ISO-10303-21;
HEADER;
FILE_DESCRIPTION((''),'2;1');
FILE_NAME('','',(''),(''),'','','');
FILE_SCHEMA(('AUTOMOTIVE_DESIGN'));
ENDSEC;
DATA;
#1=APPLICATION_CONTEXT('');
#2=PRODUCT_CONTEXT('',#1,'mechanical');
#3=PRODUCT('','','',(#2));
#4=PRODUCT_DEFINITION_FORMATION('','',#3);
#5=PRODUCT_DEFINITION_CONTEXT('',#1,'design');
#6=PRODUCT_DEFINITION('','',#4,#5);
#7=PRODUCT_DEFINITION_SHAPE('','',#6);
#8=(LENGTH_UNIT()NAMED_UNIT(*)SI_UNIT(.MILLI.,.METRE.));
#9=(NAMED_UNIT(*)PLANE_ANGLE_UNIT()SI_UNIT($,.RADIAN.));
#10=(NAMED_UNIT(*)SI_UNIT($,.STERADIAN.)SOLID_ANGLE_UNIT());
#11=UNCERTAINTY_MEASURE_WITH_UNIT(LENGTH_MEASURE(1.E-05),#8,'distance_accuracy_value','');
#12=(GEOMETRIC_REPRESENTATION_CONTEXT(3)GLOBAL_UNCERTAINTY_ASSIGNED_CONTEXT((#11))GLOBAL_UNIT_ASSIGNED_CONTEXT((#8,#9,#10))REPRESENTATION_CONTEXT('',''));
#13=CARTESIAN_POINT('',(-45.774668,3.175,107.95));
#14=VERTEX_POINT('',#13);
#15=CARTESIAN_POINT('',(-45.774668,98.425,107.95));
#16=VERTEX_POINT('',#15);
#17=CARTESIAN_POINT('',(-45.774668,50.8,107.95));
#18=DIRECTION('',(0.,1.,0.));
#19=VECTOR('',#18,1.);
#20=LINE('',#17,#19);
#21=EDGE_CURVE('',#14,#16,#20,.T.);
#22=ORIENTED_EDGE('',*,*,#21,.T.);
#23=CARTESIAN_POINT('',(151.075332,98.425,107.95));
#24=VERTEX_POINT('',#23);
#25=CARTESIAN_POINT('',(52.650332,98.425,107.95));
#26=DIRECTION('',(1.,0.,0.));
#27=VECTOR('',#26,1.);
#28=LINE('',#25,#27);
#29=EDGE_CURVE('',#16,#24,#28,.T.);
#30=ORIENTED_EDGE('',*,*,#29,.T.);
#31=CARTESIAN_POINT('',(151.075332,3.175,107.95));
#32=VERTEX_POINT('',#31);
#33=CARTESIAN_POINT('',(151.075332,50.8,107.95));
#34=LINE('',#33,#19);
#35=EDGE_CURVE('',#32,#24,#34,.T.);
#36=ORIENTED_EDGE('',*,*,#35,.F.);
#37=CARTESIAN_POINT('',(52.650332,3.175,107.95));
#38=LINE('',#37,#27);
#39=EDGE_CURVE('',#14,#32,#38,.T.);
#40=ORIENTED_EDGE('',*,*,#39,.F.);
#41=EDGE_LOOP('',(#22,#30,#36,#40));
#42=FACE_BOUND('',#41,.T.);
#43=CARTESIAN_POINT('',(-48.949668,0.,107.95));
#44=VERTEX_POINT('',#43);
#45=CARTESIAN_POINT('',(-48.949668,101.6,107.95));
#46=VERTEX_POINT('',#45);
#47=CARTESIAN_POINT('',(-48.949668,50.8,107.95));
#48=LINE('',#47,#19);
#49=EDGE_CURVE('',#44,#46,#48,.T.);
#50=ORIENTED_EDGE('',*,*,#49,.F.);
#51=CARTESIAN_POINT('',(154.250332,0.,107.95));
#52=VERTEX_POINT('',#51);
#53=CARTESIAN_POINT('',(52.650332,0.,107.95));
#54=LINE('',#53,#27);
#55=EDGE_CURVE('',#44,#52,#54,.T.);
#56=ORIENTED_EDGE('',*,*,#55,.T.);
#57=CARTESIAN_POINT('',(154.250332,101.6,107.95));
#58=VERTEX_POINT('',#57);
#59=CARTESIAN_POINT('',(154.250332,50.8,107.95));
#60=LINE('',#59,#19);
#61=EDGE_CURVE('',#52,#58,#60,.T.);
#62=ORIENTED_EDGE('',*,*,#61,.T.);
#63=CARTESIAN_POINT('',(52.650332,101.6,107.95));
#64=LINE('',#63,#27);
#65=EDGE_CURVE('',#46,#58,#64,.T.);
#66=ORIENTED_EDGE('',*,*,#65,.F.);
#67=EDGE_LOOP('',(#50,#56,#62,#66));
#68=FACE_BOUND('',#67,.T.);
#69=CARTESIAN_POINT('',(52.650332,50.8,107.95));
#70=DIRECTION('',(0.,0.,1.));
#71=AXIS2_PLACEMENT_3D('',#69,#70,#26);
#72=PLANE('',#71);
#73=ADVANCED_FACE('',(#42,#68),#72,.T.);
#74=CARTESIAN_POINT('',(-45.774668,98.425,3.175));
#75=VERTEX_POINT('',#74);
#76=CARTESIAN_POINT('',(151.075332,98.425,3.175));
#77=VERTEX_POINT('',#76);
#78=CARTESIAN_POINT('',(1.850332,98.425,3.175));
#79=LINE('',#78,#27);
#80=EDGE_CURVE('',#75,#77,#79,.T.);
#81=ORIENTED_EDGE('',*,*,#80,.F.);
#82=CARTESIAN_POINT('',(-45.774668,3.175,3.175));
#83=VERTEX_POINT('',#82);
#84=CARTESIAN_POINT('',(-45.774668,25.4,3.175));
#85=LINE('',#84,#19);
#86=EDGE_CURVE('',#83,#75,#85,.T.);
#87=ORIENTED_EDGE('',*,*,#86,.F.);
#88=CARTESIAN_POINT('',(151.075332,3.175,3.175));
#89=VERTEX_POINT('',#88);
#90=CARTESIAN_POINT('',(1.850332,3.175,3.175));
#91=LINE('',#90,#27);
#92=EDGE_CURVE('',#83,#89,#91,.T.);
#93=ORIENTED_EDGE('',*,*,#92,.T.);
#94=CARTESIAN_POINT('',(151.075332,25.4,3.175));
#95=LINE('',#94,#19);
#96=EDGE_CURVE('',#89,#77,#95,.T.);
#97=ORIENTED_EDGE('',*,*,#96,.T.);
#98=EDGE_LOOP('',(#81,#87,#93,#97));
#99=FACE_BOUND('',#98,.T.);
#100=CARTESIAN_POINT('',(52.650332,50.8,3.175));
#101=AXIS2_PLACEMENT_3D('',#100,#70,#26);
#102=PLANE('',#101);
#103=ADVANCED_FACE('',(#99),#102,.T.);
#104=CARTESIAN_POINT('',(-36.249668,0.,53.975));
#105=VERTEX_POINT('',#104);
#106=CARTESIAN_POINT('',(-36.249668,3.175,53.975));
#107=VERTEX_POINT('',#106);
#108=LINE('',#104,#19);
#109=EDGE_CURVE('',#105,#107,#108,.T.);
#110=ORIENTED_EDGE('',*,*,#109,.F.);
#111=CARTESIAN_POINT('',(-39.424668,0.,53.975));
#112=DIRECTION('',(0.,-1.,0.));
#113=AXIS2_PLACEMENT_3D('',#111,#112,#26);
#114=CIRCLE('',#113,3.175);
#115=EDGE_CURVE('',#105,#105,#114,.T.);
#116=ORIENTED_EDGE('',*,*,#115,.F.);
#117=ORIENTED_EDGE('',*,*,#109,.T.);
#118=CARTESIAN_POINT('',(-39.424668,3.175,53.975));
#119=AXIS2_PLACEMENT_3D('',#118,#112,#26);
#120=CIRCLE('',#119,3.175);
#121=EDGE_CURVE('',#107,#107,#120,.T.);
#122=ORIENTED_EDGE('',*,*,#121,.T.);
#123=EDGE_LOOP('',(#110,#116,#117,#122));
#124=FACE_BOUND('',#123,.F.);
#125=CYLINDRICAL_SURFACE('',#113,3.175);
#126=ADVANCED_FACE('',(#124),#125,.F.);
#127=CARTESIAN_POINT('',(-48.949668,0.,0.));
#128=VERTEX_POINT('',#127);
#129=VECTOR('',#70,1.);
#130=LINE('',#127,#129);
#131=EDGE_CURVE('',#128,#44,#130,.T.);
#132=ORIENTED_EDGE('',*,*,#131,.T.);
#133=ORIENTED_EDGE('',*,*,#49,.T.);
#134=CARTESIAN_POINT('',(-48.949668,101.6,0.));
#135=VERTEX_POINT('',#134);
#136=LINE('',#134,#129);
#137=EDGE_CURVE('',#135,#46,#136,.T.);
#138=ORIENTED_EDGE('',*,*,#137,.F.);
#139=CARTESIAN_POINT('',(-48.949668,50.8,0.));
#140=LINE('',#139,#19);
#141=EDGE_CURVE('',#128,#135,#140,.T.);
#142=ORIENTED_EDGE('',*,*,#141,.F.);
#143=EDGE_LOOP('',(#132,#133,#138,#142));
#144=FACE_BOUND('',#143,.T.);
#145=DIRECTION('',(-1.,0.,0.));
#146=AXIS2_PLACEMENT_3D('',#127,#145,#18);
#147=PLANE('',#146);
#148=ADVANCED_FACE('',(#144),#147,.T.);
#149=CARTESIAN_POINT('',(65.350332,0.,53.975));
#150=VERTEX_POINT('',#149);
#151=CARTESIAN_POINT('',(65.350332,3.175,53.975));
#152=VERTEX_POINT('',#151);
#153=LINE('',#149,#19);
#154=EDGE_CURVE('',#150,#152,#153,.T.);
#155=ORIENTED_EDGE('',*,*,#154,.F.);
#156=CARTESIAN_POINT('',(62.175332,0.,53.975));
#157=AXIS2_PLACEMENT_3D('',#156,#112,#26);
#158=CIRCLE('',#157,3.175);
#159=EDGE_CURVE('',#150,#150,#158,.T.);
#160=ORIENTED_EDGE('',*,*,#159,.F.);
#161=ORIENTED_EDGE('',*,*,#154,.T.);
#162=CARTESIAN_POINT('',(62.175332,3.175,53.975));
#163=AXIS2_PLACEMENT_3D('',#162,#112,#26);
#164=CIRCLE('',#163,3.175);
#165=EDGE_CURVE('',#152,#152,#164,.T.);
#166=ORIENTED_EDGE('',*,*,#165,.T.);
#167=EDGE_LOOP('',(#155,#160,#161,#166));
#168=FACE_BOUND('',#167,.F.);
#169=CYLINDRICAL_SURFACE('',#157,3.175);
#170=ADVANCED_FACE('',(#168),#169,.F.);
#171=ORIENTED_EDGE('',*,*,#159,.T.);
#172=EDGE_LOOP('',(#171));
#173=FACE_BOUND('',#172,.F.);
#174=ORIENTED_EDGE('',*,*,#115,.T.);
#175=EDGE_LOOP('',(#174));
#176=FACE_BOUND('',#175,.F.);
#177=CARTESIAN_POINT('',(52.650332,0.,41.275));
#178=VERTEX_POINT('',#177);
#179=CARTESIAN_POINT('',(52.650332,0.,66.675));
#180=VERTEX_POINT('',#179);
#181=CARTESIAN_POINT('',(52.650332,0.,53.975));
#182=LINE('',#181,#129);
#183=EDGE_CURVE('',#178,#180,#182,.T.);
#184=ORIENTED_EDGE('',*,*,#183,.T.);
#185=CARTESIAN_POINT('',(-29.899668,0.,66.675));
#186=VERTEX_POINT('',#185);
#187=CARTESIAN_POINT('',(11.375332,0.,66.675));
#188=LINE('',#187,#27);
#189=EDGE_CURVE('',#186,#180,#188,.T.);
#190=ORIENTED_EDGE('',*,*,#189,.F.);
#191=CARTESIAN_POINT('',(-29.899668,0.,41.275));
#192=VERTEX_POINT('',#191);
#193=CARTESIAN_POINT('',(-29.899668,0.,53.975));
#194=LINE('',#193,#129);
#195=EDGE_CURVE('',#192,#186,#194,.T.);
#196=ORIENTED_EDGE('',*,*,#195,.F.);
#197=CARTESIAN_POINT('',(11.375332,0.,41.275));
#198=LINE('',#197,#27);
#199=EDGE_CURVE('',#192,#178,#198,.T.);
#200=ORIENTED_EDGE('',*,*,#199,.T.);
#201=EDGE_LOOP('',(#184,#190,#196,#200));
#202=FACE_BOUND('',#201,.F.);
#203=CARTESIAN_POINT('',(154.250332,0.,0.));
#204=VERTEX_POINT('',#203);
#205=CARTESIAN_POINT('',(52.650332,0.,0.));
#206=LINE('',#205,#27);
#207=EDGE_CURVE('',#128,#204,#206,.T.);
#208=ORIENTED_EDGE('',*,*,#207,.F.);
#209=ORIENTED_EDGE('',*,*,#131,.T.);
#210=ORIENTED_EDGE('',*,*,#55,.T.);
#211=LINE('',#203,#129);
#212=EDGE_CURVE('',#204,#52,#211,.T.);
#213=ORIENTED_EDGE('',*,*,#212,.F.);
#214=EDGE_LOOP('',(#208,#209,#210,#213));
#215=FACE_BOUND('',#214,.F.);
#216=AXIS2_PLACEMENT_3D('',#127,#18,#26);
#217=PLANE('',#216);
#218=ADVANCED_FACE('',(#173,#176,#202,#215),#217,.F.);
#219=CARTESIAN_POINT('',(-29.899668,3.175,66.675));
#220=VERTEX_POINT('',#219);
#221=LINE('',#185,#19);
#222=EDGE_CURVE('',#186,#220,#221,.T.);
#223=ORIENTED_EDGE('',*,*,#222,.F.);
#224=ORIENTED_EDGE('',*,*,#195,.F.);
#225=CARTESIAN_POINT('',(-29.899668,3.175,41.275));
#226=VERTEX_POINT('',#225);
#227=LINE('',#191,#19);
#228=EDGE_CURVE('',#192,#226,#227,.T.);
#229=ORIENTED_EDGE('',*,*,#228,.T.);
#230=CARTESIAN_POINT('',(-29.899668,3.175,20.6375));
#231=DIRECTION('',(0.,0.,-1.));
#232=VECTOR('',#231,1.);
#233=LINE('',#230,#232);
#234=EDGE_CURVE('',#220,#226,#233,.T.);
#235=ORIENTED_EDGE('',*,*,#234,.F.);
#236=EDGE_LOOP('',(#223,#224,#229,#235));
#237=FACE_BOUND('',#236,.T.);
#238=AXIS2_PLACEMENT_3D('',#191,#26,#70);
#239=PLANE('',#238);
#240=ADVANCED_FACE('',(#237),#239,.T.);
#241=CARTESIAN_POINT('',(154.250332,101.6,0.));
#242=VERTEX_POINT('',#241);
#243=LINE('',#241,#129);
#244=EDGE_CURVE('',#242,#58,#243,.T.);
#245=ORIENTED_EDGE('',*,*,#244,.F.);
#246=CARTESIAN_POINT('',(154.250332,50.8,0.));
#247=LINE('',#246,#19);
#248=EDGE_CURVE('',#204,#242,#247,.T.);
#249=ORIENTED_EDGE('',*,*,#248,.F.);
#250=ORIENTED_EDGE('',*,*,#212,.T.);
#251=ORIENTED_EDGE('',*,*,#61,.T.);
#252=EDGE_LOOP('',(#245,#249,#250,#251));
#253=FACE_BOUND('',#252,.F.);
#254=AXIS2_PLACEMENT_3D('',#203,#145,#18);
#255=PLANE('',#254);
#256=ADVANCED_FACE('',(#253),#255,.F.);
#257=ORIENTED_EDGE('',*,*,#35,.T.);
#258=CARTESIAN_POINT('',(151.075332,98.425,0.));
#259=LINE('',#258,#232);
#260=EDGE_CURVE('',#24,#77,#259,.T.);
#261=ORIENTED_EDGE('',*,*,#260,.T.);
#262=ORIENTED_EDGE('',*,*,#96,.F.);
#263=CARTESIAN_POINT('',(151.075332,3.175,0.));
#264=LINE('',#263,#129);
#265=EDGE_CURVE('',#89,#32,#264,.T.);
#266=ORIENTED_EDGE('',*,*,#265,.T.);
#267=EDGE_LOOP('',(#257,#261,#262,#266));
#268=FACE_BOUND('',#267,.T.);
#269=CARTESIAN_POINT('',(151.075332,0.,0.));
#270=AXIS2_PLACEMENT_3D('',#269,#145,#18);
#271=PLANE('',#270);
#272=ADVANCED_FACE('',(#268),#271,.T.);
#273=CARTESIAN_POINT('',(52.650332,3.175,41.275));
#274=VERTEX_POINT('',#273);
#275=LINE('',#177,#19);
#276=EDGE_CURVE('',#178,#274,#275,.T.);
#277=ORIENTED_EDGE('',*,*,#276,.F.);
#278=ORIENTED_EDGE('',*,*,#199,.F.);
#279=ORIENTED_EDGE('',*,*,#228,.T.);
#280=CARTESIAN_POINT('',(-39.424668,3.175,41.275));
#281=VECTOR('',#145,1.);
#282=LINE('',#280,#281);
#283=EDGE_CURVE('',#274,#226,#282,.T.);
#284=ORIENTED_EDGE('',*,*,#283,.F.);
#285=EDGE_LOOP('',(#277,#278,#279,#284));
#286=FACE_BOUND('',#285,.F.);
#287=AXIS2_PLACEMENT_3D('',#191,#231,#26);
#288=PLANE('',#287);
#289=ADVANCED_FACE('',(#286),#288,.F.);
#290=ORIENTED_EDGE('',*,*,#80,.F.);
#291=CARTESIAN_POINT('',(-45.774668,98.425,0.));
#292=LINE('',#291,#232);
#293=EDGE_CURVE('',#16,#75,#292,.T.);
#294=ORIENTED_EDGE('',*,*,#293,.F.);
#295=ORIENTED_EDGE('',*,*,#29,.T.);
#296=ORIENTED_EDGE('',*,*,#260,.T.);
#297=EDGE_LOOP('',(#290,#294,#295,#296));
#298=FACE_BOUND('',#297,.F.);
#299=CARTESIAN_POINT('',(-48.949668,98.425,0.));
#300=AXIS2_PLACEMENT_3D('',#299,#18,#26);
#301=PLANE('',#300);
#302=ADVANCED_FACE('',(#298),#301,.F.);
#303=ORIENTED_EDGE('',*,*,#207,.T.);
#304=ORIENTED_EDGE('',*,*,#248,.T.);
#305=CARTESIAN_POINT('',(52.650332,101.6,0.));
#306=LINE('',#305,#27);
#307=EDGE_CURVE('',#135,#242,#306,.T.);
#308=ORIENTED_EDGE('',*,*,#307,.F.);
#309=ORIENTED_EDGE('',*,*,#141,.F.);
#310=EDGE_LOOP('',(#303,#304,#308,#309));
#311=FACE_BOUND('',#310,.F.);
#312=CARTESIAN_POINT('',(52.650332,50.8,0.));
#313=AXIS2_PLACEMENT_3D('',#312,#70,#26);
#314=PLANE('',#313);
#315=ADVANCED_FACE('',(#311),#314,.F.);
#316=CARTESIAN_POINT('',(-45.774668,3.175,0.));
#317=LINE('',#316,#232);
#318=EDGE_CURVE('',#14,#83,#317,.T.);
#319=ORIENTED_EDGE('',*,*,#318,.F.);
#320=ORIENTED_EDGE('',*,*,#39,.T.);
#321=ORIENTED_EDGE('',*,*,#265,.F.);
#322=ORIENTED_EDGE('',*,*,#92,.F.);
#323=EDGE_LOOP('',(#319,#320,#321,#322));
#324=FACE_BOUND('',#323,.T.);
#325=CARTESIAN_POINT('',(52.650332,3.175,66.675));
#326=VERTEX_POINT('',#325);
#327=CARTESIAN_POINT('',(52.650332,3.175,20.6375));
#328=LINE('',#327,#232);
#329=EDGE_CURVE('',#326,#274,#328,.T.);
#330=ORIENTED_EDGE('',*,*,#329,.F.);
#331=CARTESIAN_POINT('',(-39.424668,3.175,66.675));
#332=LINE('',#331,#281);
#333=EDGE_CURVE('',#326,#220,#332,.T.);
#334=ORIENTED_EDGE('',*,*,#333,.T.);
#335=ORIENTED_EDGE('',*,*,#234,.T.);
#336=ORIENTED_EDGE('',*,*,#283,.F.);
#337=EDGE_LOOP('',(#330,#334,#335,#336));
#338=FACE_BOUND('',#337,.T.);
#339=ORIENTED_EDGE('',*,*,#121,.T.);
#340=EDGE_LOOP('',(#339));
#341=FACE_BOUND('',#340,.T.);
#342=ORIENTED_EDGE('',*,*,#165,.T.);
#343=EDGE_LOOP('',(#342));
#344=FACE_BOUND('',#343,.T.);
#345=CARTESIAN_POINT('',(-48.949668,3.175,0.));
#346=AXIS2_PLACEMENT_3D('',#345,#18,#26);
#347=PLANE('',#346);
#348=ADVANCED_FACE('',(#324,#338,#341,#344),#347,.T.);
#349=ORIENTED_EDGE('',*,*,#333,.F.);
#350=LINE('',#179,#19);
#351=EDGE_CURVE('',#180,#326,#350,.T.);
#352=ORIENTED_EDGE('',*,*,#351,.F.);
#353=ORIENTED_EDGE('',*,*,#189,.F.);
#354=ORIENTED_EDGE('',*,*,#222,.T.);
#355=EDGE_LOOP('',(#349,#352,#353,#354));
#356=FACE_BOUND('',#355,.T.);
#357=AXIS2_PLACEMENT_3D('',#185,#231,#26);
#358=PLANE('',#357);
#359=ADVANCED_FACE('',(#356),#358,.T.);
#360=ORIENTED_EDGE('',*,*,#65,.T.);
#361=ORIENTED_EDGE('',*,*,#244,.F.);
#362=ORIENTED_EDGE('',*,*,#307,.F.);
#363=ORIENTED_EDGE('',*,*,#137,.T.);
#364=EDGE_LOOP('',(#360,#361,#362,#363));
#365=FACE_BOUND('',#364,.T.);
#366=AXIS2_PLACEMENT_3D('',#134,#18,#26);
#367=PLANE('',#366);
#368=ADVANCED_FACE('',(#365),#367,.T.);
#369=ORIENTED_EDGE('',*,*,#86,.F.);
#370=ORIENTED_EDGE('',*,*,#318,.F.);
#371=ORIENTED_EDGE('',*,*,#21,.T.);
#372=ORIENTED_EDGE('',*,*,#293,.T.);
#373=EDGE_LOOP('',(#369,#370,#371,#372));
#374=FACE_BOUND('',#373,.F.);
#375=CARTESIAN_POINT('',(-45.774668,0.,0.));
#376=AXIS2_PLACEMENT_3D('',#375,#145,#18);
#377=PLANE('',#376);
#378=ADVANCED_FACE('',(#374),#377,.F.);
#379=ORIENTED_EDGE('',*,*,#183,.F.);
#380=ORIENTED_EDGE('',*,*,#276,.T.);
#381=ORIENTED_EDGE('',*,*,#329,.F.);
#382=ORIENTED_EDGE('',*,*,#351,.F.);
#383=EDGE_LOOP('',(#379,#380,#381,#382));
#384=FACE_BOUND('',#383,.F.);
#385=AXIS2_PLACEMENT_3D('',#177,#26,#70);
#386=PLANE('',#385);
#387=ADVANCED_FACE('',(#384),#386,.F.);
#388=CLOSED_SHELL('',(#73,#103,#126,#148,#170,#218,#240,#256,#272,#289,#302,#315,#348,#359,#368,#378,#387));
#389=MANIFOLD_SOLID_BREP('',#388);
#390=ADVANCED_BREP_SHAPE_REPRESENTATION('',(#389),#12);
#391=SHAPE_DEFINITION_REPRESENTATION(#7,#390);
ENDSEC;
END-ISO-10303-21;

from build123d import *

# Parameters (mm, degrees)
F0_W     = 203.2
F0_H     = 101.6
F1_DEPTH = 107.95
F2_T     = -3.175
F3_W     = 82.55
F3_H     = 25.4
F4_DEPTH = 25.4
F6_R     = 3.175
F7_DEPTH = 25.4
F8_R     = 3.175
F9_DEPTH = 25.4


with BuildPart() as f1:
    # F0 (on Top) → F1 (new body)
    with BuildSketch(Plane.XY):
        with Locations((52.650332, 50.8)):
            Rectangle(F0_W, F0_H)
    extrude(amount=F1_DEPTH)

    # F2
    f2_openings = [f1.faces().sort_by_distance(p)[0] for p in [
        (52.650332, 50.8, 107.95),
    ]]
    offset(amount=F2_T, openings=f2_openings)

    # F3 (on Front) → F4 (cut)
    with BuildSketch(Plane.XZ):
        with Locations((11.375332, 53.975)):
            Rectangle(F3_W, F3_H)
    extrude(amount=-F4_DEPTH, mode=Mode.SUBTRACT)

    # F6 (on Front) → F7 (cut)
    with BuildSketch(Plane.XZ):
        with Locations((-39.424668, 53.975)):
            Circle(F6_R)
    extrude(amount=-F7_DEPTH, mode=Mode.SUBTRACT)

    # F8 (on Front) → F9 (cut)
    with BuildSketch(Plane.XZ):
        with Locations((62.175332, 53.975)):
            Circle(F8_R)
    extrude(amount=-F9_DEPTH, mode=Mode.SUBTRACT)


solid = f1.part
